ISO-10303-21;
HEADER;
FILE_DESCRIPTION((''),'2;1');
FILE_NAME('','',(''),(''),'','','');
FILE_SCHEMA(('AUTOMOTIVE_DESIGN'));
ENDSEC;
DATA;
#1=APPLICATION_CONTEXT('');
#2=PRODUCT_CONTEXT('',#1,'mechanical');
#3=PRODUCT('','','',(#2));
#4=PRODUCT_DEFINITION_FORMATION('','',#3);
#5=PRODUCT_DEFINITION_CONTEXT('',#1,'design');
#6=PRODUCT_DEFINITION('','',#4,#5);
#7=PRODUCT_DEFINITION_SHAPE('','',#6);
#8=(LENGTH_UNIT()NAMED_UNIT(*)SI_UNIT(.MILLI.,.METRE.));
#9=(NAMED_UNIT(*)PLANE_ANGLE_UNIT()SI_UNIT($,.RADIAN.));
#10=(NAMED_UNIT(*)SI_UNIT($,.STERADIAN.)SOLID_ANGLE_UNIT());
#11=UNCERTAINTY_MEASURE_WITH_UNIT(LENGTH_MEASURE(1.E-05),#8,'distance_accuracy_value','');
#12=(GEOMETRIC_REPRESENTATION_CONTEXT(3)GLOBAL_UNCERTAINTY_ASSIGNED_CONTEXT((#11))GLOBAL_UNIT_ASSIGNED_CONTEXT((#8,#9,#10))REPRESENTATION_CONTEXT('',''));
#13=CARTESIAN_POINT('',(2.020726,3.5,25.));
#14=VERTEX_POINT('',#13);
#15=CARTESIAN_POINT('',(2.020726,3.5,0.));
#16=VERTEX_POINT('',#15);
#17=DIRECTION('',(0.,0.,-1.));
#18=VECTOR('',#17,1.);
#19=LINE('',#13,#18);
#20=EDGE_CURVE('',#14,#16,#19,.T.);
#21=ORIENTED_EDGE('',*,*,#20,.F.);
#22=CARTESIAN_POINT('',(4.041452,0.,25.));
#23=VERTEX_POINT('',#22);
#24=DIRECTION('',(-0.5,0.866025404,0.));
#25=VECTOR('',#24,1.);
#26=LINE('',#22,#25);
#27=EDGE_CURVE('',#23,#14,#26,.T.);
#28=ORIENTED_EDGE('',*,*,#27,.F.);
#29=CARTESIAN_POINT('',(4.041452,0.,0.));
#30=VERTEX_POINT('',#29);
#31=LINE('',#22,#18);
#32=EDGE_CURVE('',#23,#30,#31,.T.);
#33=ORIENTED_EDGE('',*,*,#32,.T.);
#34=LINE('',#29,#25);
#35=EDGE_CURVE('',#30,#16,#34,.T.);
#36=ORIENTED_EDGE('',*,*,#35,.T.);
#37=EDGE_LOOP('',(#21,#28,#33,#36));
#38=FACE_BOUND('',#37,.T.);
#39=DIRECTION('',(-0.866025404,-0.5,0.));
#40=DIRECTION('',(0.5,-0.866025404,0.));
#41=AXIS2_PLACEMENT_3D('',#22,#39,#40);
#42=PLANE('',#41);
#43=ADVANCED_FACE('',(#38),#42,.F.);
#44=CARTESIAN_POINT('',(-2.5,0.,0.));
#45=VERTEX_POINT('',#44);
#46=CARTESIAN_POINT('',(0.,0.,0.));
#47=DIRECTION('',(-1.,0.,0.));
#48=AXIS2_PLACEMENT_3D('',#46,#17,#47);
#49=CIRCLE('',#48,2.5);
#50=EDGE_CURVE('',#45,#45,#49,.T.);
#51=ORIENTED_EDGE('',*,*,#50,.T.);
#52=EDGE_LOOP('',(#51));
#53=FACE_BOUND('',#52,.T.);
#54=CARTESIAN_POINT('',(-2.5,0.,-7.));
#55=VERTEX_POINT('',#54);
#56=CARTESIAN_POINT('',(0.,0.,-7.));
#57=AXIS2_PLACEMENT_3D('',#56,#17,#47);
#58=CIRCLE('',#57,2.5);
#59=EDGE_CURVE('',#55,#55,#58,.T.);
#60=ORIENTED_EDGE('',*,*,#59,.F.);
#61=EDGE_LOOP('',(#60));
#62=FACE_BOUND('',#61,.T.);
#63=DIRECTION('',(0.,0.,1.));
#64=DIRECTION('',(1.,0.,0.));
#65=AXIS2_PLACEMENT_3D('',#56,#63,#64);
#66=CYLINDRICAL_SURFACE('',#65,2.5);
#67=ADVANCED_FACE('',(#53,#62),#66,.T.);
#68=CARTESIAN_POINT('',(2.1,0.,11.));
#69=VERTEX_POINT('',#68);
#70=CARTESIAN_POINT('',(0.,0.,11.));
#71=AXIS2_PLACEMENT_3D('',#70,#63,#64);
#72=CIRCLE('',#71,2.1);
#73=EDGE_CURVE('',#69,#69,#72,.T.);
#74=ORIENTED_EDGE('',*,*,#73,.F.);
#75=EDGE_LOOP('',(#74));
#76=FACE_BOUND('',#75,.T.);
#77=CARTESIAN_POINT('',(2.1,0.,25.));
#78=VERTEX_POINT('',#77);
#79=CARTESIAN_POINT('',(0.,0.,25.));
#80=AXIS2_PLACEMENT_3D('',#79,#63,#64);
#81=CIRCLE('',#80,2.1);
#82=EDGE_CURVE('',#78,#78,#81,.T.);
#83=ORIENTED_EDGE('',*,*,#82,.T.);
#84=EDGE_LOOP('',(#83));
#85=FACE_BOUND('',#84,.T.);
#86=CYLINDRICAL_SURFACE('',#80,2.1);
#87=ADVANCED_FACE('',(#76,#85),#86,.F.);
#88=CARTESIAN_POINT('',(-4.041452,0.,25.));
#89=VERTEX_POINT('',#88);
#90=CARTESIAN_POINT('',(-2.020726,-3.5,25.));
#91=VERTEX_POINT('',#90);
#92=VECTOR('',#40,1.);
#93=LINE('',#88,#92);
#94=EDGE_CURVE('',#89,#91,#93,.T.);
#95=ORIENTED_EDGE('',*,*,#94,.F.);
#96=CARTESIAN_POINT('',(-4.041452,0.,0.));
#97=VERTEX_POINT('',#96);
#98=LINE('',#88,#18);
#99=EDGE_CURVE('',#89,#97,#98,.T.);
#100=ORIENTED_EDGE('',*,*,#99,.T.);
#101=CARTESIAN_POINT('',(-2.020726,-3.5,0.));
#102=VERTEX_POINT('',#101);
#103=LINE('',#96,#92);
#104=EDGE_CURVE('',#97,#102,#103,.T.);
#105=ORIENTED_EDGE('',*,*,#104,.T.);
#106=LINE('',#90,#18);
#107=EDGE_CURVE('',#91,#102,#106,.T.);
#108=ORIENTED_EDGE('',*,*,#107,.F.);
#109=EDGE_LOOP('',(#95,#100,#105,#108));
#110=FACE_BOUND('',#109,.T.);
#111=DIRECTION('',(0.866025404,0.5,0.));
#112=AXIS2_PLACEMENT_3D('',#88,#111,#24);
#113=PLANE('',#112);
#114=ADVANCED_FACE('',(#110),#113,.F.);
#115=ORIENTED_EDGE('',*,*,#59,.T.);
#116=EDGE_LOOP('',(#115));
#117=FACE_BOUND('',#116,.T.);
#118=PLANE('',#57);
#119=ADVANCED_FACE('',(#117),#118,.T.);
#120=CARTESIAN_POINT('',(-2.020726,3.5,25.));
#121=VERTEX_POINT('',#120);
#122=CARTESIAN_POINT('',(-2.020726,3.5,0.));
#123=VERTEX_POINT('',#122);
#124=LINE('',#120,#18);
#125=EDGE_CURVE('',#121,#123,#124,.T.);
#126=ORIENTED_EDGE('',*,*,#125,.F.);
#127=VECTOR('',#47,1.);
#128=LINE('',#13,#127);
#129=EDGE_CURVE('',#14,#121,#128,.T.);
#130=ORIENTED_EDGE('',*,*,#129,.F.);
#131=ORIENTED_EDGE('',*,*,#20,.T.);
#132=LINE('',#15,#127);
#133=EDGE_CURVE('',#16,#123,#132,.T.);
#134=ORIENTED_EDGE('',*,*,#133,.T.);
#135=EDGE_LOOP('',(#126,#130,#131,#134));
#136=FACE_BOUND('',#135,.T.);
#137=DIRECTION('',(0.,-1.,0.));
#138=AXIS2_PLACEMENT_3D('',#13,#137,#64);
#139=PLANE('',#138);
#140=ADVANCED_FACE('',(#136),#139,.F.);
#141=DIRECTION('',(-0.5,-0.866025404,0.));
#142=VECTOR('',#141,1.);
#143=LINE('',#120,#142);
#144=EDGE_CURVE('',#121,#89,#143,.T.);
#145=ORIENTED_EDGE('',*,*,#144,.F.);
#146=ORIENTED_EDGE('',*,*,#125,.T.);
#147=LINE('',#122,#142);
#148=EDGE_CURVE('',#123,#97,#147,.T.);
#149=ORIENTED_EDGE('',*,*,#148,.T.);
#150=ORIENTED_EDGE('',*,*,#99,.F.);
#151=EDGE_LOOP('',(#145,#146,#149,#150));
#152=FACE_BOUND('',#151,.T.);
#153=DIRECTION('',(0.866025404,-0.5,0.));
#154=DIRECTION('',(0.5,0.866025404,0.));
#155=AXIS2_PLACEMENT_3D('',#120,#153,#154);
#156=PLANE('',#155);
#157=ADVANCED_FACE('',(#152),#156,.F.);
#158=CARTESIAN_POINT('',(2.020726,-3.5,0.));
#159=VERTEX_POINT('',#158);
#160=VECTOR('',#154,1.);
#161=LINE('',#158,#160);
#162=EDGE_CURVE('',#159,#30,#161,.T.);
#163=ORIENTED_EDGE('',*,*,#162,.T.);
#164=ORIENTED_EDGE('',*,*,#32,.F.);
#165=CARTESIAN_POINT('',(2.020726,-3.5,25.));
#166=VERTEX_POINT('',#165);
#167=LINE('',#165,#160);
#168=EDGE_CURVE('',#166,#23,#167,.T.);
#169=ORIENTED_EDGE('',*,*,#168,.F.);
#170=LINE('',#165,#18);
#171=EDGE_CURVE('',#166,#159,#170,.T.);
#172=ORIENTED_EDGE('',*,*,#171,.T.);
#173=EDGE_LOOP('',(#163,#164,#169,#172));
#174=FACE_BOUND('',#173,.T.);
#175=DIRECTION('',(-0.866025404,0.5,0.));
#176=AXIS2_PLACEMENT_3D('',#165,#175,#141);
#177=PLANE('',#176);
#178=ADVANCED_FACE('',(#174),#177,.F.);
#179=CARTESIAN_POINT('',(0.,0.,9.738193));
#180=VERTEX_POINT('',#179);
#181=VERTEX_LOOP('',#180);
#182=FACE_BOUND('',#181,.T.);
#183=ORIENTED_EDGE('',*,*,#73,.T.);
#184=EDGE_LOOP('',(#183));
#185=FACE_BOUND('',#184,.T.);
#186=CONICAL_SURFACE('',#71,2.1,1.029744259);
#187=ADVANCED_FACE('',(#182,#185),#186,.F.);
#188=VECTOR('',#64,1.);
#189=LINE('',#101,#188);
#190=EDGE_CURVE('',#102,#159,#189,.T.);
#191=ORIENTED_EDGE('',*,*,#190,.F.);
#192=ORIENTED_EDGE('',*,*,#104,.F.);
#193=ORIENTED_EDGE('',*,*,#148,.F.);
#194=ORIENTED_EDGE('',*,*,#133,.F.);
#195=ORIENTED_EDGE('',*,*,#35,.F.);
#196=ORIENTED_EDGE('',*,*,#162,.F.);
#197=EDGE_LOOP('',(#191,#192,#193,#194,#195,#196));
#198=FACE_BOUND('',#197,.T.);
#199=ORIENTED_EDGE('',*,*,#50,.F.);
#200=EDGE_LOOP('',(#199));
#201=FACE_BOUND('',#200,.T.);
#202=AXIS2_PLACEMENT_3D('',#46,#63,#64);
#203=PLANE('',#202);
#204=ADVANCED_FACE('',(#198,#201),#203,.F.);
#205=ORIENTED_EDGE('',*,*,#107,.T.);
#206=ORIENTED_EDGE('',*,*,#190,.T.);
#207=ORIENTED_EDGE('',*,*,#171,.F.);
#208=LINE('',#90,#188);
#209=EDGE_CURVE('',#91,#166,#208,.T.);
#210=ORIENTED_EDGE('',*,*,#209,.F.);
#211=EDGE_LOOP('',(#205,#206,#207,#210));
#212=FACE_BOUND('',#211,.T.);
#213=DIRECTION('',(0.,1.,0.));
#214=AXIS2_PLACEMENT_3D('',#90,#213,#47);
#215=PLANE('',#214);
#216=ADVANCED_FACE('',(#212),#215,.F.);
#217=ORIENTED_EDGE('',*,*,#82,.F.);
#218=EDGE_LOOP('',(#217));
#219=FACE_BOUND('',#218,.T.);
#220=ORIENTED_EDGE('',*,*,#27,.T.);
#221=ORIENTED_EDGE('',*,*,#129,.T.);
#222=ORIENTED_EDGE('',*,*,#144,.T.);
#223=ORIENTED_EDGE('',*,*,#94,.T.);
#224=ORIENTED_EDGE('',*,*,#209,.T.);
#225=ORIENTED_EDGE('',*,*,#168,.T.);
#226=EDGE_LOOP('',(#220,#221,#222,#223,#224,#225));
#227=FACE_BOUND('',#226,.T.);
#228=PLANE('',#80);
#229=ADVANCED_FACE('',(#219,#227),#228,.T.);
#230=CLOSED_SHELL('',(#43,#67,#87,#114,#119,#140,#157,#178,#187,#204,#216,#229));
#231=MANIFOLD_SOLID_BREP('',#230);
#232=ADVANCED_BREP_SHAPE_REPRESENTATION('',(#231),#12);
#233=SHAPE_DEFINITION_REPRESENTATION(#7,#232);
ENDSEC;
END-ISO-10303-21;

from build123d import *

# Parameters (mm, degrees)
EXTRUDE_1_DEPTH           = 25
SKETCH_4_R                = 2.5
EXTRUDE_2_DEPTH           = 7
M5X0_8_TAPPED_HOLE1_D     = 4.2
M5X0_8_TAPPED_HOLE1_DEPTH = 14
M5X0_8_TAPPED_HOLE1_TIP   = 1.2618073


with BuildPart() as part:
    # 草圖1 → 填料-伸長1 (new body)
    with BuildSketch(Plane.XY):
        Polygon((-2.020725942, 3.5), (-4.041451884, 0), (-2.020725942, -3.5), (2.020725942, -3.5), (4.041451884, 0), (2.020725942, 3.5), align=None)
    extrude(amount=EXTRUDE_1_DEPTH)

    # 草圖4 → 填料-伸長2 (add)
    with BuildSketch(Plane(origin=(0, 0, 0), x_dir=(-1, 0, 0), z_dir=(0, 0, -1))):
        Circle(SKETCH_4_R)
    extrude(amount=EXTRUDE_2_DEPTH)

    # M5x0.8 Tapped Hole1
    with Locations(Plane.XY.offset(25)):
        with Locations((0, 0)):
            Hole(M5X0_8_TAPPED_HOLE1_D / 2, depth=M5X0_8_TAPPED_HOLE1_DEPTH)
            with Locations((0, 0, -(M5X0_8_TAPPED_HOLE1_DEPTH + M5X0_8_TAPPED_HOLE1_TIP / 2))):  # 118° drill point
                Cone(0, M5X0_8_TAPPED_HOLE1_D / 2, M5X0_8_TAPPED_HOLE1_TIP, mode=Mode.SUBTRACT)


solid = part.part
